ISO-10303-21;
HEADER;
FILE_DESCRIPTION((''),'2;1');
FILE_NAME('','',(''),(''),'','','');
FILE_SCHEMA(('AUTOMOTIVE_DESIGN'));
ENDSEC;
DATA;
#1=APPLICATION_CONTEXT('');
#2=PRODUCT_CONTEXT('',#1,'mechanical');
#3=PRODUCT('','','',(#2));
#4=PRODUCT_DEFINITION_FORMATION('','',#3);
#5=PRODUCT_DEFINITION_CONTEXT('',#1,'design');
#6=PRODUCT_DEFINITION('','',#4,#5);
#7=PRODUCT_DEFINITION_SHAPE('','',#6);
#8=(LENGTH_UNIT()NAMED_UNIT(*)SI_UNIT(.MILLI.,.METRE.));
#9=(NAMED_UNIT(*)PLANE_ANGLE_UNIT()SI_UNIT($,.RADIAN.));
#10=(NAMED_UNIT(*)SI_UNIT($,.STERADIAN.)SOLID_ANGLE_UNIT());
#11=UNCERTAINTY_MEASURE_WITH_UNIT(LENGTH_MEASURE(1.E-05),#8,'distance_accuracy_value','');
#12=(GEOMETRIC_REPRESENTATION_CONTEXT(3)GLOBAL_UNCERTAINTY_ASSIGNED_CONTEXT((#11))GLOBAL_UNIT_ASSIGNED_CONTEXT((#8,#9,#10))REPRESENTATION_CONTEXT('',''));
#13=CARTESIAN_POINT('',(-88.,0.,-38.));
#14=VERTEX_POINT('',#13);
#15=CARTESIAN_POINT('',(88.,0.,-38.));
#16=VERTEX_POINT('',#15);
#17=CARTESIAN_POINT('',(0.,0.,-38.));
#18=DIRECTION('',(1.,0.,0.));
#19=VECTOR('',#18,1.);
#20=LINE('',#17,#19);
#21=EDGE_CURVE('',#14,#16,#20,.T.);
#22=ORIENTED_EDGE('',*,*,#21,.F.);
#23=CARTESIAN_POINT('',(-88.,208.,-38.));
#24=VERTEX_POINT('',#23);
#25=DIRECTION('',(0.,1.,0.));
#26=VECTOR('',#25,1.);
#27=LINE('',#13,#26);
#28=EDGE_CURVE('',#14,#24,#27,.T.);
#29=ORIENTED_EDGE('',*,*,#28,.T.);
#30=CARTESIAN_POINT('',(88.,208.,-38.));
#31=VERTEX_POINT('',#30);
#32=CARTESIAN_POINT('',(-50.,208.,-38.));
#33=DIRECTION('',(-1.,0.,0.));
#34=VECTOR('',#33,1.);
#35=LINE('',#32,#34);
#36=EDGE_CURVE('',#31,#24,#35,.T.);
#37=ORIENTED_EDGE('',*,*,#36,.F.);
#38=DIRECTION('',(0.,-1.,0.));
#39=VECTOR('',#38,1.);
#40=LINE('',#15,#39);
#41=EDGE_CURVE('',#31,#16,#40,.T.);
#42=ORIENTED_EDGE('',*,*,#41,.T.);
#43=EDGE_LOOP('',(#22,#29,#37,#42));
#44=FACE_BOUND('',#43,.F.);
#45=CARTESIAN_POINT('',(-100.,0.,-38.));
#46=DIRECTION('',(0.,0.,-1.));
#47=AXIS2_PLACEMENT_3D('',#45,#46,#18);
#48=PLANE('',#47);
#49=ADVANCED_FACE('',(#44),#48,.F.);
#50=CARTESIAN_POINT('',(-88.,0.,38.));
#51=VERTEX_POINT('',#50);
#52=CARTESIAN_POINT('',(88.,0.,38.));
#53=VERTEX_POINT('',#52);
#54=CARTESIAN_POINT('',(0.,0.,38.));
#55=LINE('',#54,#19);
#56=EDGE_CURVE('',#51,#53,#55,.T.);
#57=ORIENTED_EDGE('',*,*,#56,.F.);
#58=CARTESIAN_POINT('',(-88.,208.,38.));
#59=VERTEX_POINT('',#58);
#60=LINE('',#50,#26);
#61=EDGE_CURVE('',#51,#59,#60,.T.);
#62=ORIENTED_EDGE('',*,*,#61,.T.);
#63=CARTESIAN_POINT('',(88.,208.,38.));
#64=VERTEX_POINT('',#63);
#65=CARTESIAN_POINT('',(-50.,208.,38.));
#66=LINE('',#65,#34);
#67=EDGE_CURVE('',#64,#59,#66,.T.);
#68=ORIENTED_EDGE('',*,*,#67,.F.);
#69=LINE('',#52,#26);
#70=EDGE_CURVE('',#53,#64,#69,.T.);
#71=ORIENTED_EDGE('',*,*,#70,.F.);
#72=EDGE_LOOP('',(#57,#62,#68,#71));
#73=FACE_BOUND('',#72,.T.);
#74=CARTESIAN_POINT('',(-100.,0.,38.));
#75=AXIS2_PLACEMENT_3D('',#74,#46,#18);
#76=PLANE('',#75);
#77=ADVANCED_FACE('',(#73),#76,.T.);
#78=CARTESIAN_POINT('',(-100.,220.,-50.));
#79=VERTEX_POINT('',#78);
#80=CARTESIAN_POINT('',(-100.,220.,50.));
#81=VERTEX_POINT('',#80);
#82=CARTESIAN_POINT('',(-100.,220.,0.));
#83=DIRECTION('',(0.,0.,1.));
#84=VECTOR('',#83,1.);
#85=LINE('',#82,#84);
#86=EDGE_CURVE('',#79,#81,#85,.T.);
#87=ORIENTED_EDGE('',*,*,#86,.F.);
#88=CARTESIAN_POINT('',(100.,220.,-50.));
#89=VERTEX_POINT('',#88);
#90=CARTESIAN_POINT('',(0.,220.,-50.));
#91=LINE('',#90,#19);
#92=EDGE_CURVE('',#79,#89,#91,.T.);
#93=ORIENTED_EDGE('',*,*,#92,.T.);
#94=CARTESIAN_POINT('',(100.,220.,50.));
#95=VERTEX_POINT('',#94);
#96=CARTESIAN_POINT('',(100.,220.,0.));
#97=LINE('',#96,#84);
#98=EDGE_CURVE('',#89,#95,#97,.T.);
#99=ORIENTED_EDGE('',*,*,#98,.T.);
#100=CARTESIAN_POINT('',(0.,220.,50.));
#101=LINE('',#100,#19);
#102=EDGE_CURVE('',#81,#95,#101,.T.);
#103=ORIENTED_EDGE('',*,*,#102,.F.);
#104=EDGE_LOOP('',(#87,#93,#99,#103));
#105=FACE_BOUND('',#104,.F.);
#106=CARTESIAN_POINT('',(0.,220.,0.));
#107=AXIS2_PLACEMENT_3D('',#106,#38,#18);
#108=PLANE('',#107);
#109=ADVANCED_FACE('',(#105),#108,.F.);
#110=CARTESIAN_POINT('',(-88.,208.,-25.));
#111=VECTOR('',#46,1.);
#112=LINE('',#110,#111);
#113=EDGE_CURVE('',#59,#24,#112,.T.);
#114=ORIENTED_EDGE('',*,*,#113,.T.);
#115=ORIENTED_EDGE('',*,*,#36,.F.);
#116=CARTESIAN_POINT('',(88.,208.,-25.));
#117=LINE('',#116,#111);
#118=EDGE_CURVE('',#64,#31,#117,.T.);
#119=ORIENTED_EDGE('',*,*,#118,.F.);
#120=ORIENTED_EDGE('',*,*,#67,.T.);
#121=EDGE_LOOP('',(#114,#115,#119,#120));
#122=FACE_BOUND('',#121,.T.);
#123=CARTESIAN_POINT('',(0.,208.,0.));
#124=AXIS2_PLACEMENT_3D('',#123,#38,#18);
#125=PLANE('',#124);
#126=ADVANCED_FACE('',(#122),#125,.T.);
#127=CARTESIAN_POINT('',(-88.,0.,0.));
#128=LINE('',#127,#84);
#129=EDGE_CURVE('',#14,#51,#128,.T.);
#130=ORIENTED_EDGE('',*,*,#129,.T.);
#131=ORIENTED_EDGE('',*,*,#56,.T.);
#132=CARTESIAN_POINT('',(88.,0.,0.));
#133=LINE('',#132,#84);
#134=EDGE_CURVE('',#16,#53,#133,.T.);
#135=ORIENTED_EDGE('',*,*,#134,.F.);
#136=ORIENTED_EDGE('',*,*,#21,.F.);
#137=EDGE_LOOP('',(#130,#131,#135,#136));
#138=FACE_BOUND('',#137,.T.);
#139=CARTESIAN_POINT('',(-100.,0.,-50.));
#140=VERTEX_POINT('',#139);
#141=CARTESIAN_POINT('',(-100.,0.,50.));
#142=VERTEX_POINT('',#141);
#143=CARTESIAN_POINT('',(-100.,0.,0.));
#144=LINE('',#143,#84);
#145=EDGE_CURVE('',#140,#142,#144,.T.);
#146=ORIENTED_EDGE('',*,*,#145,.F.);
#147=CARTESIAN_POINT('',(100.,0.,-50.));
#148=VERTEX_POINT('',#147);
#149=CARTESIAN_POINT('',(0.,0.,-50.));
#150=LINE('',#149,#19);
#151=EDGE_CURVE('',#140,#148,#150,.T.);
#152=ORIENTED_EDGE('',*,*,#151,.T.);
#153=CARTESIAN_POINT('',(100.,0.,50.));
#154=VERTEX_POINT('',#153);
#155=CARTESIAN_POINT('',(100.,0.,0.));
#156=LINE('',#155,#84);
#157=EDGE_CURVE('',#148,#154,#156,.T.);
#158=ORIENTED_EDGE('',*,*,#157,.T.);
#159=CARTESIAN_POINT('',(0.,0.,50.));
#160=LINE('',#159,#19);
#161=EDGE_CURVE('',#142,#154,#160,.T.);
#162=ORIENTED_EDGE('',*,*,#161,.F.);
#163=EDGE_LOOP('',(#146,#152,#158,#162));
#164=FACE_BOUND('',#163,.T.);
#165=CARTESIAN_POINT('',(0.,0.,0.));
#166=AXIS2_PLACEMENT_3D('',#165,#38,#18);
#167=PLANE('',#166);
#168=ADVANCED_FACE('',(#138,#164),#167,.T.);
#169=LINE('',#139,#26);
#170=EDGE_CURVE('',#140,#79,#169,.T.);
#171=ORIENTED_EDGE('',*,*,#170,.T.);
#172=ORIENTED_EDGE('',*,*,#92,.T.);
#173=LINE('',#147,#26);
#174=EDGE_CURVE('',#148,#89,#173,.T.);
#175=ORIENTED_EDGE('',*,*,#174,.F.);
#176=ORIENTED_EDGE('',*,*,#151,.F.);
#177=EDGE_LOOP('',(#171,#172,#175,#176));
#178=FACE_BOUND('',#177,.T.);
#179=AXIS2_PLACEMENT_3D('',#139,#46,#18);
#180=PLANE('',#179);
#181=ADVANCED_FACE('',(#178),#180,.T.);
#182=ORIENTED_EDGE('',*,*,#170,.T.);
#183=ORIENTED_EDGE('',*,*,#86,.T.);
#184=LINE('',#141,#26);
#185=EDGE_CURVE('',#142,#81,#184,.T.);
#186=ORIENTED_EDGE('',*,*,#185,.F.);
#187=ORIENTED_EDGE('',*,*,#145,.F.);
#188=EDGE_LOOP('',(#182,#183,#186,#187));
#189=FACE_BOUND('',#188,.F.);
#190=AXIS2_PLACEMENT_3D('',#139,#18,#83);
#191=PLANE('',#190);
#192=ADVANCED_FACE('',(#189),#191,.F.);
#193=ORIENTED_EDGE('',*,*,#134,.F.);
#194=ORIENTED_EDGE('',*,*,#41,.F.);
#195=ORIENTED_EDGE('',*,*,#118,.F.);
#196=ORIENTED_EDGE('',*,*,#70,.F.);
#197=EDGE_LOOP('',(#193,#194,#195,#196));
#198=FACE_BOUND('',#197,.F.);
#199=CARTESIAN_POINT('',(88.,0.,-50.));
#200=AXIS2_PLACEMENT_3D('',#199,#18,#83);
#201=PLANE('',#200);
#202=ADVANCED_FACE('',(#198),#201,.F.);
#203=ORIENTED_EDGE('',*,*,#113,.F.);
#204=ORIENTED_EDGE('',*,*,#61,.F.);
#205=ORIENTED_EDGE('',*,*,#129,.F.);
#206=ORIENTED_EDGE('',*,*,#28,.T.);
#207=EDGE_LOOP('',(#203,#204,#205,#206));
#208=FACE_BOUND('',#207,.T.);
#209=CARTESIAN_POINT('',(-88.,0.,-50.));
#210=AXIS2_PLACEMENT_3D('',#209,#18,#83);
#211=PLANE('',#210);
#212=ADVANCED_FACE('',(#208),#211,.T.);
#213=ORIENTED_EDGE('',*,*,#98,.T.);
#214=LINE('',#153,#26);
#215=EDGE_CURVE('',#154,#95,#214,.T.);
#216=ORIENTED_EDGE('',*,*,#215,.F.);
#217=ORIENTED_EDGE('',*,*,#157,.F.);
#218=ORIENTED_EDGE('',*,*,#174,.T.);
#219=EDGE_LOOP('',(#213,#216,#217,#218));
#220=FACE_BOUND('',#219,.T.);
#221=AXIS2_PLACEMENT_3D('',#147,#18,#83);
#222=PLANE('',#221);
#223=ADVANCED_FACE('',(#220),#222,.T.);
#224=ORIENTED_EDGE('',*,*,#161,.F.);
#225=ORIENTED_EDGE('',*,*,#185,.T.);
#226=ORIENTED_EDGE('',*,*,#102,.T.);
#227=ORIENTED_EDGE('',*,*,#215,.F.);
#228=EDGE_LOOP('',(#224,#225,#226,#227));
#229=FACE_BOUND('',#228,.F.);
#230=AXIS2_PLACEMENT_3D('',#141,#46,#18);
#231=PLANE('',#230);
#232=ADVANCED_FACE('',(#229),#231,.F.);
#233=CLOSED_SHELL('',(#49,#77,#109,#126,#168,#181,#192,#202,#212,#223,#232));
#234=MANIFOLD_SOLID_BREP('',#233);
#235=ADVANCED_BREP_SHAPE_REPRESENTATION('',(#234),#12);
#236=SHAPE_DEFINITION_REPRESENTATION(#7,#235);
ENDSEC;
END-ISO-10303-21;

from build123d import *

# Parameters (mm, degrees)
F0_W     = 200
F0_H     = 100
F1_DEPTH = 220
F2_T     = -12


with BuildPart() as f1:
    # F0 (on Front) → F1 (new body)
    with BuildSketch(Plane.XZ):
        Rectangle(F0_W, F0_H)
    extrude(amount=-F1_DEPTH)

    # F2
    f2_openings = [f1.faces().sort_by_distance(p)[0] for p in [
        (0, 0, 0),
    ]]
    offset(amount=F2_T, openings=f2_openings)


solid = f1.part
